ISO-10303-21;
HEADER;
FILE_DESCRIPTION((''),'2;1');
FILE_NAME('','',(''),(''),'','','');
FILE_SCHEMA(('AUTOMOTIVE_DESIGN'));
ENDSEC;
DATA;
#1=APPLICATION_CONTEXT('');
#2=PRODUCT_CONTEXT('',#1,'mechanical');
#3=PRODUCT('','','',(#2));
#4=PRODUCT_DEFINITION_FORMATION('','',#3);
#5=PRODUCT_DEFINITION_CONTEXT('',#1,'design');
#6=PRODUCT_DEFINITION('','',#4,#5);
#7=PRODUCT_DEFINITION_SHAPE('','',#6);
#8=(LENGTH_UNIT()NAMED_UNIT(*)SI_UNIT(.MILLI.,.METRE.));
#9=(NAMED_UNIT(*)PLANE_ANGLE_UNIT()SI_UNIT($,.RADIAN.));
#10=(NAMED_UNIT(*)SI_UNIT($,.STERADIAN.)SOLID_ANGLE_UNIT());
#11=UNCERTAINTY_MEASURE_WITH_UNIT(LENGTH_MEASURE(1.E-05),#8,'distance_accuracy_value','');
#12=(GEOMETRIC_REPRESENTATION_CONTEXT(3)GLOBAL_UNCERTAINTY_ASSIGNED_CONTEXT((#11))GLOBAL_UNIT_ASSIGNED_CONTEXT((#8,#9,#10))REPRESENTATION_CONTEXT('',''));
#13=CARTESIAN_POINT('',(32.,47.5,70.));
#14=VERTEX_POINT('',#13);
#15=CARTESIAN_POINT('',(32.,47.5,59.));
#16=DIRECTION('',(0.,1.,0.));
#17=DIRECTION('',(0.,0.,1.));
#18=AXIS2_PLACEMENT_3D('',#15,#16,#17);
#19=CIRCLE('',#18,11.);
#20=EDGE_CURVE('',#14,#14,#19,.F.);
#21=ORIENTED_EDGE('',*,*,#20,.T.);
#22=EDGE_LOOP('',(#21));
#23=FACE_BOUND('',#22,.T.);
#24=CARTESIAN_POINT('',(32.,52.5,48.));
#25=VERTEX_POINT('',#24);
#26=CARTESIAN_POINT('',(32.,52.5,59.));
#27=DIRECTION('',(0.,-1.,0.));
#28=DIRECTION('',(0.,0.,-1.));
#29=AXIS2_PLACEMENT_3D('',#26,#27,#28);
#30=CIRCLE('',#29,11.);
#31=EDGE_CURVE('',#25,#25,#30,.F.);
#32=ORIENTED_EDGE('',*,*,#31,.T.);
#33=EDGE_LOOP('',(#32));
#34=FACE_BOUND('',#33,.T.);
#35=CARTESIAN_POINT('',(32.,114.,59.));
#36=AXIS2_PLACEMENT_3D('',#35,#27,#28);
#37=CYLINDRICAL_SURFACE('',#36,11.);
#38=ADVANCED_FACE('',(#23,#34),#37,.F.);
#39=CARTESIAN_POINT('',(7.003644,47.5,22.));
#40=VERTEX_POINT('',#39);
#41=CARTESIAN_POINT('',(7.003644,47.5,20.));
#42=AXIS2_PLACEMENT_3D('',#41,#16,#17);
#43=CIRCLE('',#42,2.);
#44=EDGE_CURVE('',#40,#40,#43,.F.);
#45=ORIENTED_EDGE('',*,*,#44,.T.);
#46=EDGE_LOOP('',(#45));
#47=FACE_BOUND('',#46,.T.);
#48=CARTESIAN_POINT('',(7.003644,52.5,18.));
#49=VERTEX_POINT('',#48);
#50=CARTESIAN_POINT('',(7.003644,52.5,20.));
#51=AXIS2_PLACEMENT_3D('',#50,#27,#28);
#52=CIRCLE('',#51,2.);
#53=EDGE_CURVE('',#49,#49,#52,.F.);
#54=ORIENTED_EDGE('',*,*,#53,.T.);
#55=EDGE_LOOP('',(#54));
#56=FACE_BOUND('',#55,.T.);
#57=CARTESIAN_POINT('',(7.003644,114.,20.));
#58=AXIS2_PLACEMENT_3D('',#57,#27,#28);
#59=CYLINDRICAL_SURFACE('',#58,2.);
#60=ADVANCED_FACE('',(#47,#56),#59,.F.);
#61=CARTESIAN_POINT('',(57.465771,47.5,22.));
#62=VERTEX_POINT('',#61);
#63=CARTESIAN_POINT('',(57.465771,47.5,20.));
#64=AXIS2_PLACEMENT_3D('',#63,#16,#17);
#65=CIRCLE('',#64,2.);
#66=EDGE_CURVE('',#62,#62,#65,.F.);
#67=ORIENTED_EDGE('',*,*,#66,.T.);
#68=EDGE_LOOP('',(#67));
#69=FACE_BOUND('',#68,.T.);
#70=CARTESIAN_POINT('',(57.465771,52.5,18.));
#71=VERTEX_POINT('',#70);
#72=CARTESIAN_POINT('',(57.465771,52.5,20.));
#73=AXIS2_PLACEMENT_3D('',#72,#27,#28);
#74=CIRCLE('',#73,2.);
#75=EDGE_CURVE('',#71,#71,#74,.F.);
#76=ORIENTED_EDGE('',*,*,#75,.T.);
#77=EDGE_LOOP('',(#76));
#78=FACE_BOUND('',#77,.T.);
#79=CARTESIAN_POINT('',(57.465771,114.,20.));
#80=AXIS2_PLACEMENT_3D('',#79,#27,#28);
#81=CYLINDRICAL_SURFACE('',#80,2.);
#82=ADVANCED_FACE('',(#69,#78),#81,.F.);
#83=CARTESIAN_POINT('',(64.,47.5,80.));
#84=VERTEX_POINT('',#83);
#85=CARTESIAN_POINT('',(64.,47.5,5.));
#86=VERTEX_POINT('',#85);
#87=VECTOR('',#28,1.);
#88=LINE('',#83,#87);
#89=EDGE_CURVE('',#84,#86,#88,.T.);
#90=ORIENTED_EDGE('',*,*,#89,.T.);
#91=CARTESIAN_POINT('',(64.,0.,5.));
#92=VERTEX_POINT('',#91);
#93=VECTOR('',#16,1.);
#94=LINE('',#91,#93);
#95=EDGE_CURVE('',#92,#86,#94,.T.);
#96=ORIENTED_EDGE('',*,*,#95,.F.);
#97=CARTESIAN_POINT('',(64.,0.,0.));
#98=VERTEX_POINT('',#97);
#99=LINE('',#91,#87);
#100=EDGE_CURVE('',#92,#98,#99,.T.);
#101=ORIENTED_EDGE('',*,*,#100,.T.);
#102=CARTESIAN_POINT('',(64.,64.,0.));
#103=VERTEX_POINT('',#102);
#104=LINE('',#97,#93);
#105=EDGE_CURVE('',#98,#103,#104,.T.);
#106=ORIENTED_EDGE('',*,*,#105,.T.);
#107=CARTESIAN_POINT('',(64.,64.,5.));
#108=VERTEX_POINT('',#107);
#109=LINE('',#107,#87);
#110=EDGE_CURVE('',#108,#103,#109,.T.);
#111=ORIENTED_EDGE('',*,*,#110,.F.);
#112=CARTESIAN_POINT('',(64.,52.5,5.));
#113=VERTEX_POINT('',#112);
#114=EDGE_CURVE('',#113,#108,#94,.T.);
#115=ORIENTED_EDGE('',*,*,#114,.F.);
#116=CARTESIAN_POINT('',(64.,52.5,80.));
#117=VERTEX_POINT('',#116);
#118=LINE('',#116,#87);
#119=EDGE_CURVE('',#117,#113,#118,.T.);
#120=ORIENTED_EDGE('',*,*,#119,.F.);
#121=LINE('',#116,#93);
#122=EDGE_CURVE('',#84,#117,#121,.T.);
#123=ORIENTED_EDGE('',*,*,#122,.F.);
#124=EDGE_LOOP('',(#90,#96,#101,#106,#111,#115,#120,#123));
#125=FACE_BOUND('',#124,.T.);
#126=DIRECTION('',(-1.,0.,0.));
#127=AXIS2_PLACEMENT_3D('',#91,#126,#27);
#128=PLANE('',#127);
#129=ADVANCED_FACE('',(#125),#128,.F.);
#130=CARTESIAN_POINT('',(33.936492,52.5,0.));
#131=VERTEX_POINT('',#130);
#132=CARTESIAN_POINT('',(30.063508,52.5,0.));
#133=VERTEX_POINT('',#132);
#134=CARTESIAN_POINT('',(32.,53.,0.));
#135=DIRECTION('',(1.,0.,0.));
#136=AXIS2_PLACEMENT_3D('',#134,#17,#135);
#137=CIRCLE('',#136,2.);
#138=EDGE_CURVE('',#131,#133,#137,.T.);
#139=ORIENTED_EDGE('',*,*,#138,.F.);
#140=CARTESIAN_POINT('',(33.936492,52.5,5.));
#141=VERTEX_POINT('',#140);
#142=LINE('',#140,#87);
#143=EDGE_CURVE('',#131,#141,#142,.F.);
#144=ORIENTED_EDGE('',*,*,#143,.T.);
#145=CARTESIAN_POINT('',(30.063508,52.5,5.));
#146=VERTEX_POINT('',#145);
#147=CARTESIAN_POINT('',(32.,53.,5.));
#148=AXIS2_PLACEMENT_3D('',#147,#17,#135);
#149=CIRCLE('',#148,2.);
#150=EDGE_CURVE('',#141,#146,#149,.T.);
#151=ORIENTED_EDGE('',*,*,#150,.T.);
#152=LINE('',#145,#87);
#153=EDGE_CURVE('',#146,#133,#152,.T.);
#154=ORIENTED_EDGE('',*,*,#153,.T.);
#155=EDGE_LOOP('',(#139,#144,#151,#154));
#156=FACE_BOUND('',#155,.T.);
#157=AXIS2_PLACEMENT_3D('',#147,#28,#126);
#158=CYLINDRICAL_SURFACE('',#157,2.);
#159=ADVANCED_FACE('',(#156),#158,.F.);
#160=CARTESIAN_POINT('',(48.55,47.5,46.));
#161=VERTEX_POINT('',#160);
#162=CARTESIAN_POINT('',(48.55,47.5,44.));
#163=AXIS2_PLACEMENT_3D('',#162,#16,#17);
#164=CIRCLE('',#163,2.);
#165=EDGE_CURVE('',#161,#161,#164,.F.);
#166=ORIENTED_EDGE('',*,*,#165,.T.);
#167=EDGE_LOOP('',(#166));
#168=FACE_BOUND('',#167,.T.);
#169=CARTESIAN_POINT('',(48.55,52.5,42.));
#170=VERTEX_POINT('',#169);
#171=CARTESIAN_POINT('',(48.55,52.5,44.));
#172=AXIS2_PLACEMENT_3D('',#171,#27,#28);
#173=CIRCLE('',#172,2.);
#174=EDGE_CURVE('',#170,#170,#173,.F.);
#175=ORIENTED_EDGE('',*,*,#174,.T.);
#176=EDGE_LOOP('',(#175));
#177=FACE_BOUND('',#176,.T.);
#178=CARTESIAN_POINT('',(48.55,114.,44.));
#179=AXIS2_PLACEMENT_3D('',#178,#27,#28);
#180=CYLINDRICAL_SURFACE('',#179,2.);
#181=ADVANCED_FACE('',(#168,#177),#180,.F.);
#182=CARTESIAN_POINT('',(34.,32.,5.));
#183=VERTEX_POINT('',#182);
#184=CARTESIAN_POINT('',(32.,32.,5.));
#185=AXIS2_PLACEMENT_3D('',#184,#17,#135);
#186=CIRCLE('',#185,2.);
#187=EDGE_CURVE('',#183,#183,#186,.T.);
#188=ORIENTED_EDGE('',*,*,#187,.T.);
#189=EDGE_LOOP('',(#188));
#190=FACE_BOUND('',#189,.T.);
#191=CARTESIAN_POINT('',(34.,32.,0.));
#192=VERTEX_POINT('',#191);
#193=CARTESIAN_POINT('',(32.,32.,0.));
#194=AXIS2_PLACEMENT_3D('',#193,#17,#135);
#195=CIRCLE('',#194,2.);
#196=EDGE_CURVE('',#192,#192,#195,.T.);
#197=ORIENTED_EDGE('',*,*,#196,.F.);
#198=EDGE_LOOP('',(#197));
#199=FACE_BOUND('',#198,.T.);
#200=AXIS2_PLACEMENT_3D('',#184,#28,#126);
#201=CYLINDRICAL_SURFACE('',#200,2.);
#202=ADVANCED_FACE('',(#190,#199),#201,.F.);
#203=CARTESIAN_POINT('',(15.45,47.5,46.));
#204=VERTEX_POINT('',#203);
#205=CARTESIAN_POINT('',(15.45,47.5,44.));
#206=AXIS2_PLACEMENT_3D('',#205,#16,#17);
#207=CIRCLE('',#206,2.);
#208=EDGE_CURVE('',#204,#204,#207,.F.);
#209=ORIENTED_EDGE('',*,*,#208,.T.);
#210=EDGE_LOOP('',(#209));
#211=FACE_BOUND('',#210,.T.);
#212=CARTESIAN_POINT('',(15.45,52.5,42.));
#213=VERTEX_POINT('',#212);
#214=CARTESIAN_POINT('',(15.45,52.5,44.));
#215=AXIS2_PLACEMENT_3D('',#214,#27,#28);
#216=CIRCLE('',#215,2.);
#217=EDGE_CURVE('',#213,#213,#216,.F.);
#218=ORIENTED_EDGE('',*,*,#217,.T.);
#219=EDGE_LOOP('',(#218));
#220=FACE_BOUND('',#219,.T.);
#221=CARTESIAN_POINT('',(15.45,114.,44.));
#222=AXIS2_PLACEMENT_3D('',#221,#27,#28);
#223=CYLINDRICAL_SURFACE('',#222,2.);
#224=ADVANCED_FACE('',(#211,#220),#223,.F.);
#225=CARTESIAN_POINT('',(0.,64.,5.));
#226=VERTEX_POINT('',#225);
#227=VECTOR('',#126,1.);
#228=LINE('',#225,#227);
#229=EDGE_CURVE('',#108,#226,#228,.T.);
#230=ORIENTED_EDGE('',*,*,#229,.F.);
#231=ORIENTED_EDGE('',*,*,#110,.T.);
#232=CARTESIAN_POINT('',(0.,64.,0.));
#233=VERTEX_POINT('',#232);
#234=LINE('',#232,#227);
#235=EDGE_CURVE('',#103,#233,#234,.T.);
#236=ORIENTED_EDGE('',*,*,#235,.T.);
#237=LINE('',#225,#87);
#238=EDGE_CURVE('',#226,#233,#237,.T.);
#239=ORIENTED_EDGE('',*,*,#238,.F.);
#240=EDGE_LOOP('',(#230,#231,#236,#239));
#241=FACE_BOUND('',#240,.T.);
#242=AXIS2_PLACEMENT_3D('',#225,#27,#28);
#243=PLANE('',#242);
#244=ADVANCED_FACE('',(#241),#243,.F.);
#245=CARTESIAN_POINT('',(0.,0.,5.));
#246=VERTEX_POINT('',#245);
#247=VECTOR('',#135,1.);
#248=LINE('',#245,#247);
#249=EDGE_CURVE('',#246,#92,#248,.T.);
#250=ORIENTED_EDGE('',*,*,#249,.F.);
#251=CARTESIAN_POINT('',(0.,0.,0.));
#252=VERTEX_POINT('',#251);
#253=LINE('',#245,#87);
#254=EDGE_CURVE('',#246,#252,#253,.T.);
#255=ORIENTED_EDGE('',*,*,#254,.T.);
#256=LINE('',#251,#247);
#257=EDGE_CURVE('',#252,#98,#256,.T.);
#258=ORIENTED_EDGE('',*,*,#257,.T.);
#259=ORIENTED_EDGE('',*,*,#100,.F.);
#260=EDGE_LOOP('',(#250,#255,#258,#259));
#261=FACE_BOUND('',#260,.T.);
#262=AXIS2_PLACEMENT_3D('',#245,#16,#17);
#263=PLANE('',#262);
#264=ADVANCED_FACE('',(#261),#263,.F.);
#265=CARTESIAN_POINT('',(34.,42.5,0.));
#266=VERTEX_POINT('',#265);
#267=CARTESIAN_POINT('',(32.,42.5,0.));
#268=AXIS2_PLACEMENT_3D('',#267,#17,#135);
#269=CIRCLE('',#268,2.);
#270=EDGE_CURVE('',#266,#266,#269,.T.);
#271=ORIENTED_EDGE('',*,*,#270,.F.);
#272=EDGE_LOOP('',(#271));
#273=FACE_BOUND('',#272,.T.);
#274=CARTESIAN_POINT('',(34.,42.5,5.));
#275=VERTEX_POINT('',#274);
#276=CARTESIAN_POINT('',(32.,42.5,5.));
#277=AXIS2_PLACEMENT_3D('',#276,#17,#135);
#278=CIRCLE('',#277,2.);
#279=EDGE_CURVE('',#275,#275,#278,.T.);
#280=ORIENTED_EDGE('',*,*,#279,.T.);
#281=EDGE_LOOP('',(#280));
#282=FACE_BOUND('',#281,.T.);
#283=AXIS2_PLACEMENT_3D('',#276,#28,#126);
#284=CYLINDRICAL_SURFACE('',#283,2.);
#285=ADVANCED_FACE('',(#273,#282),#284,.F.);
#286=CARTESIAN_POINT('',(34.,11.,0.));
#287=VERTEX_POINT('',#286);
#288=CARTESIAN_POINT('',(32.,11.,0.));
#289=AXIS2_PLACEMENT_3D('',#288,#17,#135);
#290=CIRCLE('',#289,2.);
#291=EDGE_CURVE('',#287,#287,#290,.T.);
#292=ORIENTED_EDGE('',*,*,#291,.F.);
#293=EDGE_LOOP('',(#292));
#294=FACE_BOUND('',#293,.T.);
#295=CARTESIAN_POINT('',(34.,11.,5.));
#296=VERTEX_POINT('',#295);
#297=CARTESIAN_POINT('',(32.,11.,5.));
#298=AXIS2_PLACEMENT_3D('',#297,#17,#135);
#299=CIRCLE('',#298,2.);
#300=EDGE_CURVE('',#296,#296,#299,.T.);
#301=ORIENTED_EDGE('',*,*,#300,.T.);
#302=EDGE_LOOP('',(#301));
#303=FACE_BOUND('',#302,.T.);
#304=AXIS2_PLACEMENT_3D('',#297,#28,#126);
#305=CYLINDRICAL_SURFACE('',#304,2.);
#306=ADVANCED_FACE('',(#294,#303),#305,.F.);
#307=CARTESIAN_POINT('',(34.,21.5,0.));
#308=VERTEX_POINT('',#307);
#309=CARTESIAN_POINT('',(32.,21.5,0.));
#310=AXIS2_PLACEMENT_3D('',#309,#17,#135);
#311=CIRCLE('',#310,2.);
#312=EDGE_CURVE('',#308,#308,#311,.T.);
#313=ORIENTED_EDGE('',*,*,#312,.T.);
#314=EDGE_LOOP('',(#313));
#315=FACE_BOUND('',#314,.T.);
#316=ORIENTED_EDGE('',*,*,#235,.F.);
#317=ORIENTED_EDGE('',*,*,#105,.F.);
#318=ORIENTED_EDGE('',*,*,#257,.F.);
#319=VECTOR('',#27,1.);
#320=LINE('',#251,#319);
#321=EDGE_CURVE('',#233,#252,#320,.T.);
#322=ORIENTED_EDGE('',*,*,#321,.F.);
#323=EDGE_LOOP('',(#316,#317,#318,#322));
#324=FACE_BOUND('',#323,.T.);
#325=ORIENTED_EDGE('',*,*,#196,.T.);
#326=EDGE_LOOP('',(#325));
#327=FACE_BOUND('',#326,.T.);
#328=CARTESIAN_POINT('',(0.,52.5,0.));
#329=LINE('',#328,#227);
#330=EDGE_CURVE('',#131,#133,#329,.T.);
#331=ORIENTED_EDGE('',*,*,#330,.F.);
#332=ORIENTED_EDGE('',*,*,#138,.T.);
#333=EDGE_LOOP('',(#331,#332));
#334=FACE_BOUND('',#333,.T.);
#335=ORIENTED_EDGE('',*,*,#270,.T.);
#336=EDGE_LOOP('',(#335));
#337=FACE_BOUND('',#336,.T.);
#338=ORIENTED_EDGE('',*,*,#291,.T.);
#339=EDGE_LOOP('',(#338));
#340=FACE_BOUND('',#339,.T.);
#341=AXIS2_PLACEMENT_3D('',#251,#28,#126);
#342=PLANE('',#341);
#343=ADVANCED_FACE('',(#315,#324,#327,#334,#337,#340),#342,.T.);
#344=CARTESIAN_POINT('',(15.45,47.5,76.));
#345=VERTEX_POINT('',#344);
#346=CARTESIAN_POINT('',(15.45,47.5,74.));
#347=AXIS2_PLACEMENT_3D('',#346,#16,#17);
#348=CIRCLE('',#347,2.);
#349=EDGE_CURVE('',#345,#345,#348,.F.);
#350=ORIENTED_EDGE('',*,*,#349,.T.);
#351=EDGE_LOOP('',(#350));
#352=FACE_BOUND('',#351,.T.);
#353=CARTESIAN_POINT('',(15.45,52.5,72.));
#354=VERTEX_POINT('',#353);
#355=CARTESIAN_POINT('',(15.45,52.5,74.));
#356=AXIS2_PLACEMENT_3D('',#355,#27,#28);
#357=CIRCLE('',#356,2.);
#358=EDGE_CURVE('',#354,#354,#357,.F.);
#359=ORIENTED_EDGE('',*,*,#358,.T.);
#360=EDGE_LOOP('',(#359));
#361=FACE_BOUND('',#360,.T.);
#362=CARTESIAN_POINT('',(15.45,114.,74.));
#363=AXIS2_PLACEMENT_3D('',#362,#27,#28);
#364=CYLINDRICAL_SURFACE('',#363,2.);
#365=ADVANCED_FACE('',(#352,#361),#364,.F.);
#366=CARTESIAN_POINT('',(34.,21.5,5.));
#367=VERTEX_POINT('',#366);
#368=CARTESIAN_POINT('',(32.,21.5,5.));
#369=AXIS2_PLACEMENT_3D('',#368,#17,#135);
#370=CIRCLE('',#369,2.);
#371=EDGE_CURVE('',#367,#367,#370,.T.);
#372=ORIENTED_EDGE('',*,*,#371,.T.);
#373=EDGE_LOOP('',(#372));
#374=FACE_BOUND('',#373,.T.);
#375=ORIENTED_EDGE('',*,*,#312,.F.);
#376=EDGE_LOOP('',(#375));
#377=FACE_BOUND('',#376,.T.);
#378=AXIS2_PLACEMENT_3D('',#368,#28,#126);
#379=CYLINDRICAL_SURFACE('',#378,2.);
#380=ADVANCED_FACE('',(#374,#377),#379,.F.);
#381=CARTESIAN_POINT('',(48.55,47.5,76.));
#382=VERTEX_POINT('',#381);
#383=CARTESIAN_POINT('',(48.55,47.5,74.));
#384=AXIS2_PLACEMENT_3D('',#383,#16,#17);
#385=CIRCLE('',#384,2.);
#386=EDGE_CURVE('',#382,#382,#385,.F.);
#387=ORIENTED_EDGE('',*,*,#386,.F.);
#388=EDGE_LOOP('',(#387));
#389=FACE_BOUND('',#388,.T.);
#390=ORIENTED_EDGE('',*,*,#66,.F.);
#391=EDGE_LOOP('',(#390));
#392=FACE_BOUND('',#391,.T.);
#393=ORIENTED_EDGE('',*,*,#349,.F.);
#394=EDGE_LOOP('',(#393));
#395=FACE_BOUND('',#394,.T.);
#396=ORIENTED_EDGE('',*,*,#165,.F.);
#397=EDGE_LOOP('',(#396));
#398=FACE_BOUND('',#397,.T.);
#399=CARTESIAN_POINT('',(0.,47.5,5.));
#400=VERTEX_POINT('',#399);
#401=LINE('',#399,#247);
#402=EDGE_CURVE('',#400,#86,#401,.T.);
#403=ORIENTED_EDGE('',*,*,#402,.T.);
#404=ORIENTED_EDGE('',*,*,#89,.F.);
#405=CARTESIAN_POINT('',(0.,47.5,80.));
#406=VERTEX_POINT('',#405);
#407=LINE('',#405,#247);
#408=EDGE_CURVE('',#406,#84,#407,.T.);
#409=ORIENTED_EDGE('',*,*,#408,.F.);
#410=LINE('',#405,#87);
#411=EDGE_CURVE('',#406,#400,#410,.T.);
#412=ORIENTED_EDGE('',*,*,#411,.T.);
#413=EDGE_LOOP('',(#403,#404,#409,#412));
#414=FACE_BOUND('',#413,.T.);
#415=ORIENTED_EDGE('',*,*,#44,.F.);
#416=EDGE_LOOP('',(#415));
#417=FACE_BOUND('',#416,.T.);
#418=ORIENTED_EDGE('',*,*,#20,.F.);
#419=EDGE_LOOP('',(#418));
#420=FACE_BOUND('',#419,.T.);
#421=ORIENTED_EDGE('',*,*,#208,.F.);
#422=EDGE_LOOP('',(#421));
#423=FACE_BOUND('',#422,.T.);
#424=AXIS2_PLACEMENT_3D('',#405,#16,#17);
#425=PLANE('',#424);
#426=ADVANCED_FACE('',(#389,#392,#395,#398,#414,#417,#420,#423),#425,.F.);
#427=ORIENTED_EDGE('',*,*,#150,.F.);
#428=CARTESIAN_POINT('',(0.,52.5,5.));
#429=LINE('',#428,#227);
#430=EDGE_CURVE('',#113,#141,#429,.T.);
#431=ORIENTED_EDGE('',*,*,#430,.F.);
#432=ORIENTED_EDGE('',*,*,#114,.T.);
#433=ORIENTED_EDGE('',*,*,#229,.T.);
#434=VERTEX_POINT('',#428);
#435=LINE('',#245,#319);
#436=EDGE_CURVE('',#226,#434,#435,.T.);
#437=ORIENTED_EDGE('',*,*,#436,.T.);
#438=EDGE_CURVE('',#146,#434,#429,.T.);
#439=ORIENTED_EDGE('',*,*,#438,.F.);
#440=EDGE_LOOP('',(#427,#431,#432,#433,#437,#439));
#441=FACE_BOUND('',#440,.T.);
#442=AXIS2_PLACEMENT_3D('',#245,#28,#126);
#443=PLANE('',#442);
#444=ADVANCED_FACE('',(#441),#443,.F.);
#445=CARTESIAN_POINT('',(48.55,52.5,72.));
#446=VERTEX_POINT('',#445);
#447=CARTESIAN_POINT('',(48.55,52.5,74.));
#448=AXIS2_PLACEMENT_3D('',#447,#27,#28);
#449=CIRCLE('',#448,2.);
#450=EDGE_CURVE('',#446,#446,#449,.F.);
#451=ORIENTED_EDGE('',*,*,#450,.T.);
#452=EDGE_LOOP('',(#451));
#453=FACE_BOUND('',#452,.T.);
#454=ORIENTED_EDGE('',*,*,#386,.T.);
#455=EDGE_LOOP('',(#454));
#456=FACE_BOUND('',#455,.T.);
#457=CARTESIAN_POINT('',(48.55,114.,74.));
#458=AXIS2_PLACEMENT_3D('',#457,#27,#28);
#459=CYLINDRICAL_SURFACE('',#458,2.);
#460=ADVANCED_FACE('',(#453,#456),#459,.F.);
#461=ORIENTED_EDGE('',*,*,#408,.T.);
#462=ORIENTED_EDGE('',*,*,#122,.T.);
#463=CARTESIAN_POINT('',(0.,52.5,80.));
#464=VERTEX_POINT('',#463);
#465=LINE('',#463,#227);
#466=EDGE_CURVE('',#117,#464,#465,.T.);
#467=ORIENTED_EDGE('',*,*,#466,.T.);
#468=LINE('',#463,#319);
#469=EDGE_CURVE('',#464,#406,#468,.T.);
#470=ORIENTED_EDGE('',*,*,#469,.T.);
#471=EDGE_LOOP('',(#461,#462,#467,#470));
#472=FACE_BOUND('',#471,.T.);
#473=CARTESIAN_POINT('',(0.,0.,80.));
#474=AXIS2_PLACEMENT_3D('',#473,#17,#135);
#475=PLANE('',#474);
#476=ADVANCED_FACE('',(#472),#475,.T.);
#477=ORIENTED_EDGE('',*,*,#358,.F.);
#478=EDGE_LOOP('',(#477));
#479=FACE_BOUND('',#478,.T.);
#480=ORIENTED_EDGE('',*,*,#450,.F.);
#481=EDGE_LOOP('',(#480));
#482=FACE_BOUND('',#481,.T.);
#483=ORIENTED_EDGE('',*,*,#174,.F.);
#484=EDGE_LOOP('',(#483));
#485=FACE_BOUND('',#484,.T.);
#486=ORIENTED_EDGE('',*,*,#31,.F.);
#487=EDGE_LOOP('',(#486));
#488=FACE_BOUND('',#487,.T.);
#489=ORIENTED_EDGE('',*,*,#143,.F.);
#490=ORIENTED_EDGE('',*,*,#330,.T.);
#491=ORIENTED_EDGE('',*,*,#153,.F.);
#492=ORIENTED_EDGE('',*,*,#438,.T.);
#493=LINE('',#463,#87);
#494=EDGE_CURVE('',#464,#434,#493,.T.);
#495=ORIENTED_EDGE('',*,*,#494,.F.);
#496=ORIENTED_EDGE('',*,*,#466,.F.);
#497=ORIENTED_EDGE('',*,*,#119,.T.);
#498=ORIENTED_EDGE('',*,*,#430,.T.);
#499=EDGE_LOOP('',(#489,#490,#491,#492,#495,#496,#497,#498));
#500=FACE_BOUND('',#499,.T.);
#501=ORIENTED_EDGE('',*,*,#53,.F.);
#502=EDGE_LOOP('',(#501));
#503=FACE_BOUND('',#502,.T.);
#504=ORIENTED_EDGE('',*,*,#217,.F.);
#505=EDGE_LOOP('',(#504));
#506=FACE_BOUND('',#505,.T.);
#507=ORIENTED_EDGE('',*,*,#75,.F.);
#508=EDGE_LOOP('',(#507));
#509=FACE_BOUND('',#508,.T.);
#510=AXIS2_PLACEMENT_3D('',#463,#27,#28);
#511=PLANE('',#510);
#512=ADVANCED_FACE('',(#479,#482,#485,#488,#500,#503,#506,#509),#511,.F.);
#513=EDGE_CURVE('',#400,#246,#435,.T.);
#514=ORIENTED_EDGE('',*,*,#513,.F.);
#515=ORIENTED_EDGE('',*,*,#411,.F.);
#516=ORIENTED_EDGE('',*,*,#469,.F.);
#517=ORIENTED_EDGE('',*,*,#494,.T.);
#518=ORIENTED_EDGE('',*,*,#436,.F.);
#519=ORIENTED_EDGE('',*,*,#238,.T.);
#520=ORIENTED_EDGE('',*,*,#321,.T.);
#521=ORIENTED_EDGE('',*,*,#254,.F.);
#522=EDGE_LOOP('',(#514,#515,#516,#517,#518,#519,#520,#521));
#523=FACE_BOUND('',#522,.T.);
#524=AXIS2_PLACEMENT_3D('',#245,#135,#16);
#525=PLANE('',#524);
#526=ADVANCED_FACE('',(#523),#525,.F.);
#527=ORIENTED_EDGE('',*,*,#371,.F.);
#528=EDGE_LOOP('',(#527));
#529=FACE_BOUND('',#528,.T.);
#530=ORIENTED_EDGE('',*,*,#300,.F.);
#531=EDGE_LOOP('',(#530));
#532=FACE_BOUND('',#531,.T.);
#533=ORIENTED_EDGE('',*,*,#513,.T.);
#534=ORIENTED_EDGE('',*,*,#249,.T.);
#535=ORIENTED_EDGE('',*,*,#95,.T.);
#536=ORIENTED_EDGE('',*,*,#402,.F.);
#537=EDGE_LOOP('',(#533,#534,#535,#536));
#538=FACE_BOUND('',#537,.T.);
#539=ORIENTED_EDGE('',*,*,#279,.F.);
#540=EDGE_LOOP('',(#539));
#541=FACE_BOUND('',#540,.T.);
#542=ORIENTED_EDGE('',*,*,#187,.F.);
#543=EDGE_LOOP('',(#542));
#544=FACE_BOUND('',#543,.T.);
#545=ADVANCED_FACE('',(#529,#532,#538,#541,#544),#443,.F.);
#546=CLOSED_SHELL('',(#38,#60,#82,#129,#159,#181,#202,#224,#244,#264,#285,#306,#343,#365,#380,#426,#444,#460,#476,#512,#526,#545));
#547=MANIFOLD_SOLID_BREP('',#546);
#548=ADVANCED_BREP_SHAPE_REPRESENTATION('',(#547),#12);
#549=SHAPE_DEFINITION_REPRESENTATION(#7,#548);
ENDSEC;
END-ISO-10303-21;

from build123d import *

# Parameters (mm, degrees)
ESBO_O1_W                = 64
ESBO_O1_H                = 64
ESBO_O1_R                = 2
RESSALTO_EXTRUS_O1_DEPTH = 5
ESBO_O2_W                = 64
ESBO_O2_H                = 5
RESSALTO_EXTRUS_O3_DEPTH = 80
ESBO_O3_R                = 11
ESBO_O3_R_2              = 2
CORTE_EXTRUS_O1_DEPTH    = 114


with BuildPart() as part:
    # Esboço1 → Ressalto-extrusão1 (new body)
    with BuildSketch(Plane.XY):
        with Locations((32, 32)):
            Rectangle(ESBO_O1_W, ESBO_O1_H)
        with Locations((32, 42.5)):
            Circle(ESBO_O1_R, mode=Mode.SUBTRACT)
        with Locations((32, 32)):
            Circle(ESBO_O1_R, mode=Mode.SUBTRACT)
        with Locations((32, 21.5)):
            Circle(ESBO_O1_R, mode=Mode.SUBTRACT)
        with Locations((32, 53)):
            Circle(ESBO_O1_R, mode=Mode.SUBTRACT)
        with Locations((32, 11)):
            Circle(ESBO_O1_R, mode=Mode.SUBTRACT)
    extrude(amount=RESSALTO_EXTRUS_O1_DEPTH)

    # Esboço2 → Ressalto-extrusão3 (add)
    with BuildSketch(Plane.XY):
        with Locations((32, 50)):
            Rectangle(ESBO_O2_W, ESBO_O2_H)
    extrude(amount=RESSALTO_EXTRUS_O3_DEPTH)

    # Esboço3 → Corte-extrusão1 (cut)
    with BuildSketch(Plane(origin=(0, 0, 0), x_dir=(1, 0, 0), z_dir=(0, 1, 0))):
        with Locations((32, -59)):
            Circle(ESBO_O3_R)
        with Locations((15.45, -74)):
            Circle(ESBO_O3_R_2)
        with Locations((48.55, -74)):
            Circle(ESBO_O3_R_2)
        with Locations((15.45, -44)):
            Circle(ESBO_O3_R_2)
        with Locations((48.55, -44)):
            Circle(ESBO_O3_R_2)
        with Locations((7.003644385, -20)):
            Circle(ESBO_O3_R_2)
        with Locations((57.465770744, -20)):
            Circle(ESBO_O3_R_2)
    extrude(amount=CORTE_EXTRUS_O1_DEPTH, mode=Mode.SUBTRACT)


solid = part.part
